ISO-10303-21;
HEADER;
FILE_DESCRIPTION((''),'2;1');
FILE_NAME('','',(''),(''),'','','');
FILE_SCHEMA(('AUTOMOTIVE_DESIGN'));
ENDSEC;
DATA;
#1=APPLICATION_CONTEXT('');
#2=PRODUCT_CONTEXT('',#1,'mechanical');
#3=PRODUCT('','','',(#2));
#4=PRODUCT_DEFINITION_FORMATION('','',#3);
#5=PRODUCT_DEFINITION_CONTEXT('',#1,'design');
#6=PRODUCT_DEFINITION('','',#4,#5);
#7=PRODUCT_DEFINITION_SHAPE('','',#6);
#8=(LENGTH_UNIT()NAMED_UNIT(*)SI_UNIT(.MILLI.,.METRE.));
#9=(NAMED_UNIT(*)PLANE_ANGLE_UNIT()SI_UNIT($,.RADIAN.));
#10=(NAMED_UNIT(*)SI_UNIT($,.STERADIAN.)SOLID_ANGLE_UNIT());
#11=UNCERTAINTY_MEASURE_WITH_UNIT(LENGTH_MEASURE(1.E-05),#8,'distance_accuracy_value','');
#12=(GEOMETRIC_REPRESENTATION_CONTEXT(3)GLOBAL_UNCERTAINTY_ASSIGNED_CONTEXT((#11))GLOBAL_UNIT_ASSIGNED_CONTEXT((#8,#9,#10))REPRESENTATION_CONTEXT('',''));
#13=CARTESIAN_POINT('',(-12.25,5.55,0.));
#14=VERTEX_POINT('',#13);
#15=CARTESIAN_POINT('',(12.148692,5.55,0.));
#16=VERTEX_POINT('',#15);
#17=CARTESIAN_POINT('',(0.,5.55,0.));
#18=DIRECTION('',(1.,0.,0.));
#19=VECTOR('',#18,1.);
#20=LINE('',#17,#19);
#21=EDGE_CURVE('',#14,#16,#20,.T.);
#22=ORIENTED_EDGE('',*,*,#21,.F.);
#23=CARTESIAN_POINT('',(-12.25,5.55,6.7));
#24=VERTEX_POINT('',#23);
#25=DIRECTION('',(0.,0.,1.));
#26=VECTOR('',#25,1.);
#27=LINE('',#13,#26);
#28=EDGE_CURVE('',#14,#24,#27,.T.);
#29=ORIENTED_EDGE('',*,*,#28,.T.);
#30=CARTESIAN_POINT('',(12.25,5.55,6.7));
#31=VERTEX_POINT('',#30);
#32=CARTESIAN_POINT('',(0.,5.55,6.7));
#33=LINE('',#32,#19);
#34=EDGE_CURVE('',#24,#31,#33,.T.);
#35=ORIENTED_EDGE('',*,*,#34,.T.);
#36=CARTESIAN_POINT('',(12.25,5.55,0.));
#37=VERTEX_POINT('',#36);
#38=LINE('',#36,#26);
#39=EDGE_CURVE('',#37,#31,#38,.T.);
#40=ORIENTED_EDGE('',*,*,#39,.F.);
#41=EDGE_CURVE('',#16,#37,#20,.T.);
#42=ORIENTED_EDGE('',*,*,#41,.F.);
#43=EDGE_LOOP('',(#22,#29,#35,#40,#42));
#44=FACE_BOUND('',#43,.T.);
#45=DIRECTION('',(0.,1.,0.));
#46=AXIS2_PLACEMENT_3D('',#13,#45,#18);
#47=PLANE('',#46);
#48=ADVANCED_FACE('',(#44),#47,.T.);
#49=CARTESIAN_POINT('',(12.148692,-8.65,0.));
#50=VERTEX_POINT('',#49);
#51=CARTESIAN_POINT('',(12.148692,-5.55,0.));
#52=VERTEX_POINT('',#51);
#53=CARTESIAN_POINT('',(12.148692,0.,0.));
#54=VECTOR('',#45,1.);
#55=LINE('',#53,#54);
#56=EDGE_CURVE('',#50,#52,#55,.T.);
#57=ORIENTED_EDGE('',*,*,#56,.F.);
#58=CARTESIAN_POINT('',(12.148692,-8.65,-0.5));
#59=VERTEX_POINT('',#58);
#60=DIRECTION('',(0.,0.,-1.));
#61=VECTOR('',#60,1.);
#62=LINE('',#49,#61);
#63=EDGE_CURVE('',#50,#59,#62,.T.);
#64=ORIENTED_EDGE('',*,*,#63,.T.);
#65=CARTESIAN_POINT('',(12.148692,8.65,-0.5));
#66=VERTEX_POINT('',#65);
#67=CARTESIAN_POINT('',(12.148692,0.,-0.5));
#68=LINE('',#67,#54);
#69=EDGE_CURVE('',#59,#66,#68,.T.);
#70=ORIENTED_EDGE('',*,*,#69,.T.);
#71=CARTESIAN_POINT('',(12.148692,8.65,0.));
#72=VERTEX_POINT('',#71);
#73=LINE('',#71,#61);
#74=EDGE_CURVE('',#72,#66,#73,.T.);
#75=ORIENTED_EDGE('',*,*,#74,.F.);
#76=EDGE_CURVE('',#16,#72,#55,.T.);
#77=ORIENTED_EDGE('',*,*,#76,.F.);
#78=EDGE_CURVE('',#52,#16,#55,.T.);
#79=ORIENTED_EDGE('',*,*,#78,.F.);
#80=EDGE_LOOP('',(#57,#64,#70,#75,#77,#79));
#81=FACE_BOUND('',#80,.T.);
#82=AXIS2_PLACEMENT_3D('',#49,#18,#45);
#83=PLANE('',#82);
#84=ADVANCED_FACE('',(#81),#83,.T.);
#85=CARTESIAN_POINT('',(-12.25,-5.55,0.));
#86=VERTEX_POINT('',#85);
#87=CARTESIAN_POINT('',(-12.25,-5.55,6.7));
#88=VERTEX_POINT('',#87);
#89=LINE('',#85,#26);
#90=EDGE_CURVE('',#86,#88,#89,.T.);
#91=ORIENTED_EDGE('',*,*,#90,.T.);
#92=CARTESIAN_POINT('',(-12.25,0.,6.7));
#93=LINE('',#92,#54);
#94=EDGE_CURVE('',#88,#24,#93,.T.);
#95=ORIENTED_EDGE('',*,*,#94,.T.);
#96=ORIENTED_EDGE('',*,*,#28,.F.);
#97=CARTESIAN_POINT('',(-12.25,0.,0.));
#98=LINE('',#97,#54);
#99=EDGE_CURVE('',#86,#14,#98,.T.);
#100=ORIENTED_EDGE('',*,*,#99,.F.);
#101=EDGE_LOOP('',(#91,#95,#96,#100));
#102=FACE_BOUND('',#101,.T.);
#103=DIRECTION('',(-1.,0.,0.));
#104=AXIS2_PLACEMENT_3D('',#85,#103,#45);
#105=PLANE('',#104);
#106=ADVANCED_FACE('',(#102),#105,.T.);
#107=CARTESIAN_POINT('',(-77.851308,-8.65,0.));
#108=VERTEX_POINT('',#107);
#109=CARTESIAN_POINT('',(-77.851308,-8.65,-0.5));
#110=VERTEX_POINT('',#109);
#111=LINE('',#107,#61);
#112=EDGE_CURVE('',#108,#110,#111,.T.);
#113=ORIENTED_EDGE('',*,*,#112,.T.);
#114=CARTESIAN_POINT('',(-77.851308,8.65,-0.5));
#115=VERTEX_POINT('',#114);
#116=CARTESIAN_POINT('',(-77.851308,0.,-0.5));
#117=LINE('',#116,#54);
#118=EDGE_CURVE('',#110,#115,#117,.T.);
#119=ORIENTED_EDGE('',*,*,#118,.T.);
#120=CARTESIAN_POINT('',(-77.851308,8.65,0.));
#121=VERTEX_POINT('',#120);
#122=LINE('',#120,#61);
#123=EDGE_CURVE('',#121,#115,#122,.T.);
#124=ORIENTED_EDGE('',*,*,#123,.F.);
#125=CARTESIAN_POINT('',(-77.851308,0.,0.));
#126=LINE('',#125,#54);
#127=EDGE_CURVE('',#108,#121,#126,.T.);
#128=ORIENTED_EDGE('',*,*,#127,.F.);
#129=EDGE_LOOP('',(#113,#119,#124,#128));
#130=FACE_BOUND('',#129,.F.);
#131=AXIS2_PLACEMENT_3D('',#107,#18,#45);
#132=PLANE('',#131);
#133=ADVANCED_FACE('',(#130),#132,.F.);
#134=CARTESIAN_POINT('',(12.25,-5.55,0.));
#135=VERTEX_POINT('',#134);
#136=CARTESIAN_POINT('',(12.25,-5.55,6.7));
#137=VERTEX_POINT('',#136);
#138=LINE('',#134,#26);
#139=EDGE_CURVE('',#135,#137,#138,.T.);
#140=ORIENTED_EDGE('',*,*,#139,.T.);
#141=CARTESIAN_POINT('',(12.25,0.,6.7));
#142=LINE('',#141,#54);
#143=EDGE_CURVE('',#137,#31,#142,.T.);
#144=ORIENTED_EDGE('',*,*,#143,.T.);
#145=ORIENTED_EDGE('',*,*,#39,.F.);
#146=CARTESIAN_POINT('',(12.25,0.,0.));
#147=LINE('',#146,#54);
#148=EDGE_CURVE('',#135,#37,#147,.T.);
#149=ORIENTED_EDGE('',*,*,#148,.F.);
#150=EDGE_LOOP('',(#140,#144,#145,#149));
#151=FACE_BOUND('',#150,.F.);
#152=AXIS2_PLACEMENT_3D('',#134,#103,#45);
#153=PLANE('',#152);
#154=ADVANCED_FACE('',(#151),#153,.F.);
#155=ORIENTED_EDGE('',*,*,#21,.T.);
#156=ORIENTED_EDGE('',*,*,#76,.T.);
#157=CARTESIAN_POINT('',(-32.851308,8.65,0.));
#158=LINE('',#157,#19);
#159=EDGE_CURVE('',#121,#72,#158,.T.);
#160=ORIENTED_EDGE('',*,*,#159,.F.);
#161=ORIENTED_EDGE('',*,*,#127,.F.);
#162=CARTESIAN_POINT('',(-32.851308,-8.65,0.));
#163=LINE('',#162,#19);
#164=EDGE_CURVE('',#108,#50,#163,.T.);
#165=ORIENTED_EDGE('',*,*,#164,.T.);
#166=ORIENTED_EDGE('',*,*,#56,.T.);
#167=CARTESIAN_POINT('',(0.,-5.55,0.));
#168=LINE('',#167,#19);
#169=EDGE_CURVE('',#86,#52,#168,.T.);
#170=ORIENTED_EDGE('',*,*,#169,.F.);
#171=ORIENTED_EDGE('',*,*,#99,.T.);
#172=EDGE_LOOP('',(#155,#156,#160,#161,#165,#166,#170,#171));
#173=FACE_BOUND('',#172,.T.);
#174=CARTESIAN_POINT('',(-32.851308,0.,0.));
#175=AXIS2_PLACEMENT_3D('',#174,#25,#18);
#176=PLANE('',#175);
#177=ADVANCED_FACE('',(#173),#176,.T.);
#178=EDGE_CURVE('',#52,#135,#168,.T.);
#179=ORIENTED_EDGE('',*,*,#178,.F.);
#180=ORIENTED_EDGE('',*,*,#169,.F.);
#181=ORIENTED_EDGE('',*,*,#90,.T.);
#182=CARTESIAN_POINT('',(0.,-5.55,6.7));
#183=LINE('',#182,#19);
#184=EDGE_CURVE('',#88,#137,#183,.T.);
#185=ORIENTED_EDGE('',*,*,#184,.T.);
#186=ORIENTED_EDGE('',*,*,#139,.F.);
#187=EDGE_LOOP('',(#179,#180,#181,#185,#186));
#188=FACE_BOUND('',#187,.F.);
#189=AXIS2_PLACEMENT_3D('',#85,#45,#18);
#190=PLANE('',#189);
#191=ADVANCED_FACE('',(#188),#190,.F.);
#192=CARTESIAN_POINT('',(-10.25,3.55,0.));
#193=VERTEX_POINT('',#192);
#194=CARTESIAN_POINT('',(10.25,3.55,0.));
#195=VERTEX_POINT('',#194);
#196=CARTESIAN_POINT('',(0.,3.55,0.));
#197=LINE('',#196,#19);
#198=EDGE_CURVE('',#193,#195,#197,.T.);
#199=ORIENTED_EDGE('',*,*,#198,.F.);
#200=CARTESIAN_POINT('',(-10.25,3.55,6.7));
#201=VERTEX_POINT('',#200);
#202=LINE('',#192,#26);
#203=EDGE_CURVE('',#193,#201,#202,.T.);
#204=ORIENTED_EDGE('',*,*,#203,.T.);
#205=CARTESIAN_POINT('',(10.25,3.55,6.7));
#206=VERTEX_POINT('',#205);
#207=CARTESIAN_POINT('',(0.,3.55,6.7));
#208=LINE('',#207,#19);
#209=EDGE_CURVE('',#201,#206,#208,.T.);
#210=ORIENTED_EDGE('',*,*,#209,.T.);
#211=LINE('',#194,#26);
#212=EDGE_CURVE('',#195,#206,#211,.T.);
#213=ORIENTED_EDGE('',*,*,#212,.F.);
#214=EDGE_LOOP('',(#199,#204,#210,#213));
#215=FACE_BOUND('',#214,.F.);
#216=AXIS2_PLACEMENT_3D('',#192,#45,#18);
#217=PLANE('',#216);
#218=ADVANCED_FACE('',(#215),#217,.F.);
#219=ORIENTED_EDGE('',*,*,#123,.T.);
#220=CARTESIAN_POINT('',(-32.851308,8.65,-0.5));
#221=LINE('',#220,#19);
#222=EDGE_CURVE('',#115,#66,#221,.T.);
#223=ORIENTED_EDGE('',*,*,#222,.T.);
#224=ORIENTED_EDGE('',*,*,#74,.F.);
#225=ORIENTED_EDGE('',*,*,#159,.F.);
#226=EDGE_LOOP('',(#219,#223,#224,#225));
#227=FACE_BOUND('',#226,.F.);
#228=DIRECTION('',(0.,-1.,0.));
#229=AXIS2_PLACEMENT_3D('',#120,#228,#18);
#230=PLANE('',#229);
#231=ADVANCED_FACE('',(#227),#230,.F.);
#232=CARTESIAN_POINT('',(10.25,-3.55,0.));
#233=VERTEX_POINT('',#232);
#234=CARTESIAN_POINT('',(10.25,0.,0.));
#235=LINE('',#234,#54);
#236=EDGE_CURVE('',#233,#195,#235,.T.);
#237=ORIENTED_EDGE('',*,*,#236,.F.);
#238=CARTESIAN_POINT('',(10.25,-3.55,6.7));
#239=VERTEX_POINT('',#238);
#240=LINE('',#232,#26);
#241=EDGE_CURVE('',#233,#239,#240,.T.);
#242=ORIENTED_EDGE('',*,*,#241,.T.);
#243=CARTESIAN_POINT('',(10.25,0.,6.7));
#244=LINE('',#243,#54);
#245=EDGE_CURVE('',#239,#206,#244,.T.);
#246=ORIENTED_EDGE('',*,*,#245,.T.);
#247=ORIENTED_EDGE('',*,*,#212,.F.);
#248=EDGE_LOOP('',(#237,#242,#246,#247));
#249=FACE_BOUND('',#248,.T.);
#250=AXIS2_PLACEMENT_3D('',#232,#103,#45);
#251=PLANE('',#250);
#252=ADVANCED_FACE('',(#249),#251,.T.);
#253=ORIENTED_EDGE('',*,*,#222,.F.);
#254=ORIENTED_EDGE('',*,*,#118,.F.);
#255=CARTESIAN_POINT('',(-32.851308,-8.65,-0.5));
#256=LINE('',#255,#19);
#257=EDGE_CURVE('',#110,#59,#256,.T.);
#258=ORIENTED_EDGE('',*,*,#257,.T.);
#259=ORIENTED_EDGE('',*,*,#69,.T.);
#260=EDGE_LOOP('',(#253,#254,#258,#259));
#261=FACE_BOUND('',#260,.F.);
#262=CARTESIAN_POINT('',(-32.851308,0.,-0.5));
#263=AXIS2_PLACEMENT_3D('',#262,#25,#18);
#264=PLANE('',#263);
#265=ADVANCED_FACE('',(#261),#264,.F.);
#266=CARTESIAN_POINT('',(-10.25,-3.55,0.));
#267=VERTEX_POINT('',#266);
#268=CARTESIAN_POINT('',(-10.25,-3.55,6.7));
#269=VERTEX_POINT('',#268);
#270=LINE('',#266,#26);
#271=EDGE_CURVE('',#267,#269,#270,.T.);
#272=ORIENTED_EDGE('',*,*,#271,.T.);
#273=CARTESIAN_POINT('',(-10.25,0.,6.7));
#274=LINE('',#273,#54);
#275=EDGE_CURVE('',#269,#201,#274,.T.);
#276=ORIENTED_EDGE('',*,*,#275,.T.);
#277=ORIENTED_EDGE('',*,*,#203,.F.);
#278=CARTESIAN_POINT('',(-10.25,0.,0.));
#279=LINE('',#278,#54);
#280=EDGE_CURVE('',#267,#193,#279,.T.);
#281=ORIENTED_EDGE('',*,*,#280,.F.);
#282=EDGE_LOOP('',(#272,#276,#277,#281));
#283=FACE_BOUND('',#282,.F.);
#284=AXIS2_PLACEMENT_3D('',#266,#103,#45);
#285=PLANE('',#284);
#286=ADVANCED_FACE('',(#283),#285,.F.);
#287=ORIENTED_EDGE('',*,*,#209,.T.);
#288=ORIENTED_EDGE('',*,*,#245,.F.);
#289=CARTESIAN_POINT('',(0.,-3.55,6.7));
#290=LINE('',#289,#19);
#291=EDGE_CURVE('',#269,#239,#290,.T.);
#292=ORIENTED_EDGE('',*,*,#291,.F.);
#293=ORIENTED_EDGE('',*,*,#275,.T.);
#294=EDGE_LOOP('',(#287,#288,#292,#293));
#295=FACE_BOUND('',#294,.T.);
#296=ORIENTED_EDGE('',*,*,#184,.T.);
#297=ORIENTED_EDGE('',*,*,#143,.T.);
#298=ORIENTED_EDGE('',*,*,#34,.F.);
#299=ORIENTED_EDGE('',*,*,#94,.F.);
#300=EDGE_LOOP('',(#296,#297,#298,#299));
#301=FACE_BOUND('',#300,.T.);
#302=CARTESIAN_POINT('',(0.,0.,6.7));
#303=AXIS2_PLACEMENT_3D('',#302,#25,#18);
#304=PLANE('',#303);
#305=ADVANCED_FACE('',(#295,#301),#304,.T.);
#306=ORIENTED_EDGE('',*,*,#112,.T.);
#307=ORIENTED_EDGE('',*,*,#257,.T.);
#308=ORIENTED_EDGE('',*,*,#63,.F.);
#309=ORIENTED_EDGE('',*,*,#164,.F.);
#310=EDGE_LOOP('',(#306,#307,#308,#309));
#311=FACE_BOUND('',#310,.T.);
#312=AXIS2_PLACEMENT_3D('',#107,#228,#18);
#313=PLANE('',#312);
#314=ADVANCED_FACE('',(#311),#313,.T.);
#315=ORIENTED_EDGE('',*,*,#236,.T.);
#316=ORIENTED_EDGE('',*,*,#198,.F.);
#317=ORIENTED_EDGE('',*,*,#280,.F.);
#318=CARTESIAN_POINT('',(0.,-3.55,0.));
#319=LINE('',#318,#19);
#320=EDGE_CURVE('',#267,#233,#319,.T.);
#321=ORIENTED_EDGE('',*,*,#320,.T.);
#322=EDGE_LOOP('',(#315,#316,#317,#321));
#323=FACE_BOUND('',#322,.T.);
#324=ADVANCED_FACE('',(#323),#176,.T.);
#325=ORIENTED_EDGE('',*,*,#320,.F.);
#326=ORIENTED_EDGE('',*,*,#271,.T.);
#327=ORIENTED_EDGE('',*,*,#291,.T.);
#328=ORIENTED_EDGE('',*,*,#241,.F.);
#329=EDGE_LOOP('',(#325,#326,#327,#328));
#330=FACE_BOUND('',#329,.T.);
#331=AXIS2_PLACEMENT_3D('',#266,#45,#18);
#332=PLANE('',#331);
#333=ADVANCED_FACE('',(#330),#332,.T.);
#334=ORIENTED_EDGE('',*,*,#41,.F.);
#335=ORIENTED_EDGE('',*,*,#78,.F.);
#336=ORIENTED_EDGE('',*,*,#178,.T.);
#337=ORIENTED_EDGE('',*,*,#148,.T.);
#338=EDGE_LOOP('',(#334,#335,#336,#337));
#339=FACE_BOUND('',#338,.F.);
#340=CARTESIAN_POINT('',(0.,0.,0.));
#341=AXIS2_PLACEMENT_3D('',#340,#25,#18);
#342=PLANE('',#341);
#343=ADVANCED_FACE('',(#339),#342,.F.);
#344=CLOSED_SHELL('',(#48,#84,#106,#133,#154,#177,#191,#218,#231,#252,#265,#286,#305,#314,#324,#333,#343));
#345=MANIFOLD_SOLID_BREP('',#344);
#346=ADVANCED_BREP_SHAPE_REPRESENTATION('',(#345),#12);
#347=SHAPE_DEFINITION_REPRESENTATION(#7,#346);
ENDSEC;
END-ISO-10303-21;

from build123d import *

# Parameters (mm, degrees)
SKETCH_W     = 24.5
SKETCH_H     = 11.1
SKETCH_W_2   = 20.5
SKETCH_H_2   = 7.1
PAD_DEPTH    = 6.7
SKETCH001_W  = 90
SKETCH001_H  = 17.3
PAD001_DEPTH = 0.5


with BuildPart() as part:
    # Sketch (on Sketch) → Pad (new body)
    with BuildSketch(Plane.XY):
        Rectangle(SKETCH_W, SKETCH_H)
        Rectangle(SKETCH_W_2, SKETCH_H_2, mode=Mode.SUBTRACT)
    extrude(amount=PAD_DEPTH)

    # Sketch001 → Pad001 (join)
    with BuildSketch(Plane.XY):
        with Locations((-32.851308, 0)):
            Rectangle(SKETCH001_W, SKETCH001_H)
    extrude(amount=-PAD001_DEPTH)


solid = part.part
